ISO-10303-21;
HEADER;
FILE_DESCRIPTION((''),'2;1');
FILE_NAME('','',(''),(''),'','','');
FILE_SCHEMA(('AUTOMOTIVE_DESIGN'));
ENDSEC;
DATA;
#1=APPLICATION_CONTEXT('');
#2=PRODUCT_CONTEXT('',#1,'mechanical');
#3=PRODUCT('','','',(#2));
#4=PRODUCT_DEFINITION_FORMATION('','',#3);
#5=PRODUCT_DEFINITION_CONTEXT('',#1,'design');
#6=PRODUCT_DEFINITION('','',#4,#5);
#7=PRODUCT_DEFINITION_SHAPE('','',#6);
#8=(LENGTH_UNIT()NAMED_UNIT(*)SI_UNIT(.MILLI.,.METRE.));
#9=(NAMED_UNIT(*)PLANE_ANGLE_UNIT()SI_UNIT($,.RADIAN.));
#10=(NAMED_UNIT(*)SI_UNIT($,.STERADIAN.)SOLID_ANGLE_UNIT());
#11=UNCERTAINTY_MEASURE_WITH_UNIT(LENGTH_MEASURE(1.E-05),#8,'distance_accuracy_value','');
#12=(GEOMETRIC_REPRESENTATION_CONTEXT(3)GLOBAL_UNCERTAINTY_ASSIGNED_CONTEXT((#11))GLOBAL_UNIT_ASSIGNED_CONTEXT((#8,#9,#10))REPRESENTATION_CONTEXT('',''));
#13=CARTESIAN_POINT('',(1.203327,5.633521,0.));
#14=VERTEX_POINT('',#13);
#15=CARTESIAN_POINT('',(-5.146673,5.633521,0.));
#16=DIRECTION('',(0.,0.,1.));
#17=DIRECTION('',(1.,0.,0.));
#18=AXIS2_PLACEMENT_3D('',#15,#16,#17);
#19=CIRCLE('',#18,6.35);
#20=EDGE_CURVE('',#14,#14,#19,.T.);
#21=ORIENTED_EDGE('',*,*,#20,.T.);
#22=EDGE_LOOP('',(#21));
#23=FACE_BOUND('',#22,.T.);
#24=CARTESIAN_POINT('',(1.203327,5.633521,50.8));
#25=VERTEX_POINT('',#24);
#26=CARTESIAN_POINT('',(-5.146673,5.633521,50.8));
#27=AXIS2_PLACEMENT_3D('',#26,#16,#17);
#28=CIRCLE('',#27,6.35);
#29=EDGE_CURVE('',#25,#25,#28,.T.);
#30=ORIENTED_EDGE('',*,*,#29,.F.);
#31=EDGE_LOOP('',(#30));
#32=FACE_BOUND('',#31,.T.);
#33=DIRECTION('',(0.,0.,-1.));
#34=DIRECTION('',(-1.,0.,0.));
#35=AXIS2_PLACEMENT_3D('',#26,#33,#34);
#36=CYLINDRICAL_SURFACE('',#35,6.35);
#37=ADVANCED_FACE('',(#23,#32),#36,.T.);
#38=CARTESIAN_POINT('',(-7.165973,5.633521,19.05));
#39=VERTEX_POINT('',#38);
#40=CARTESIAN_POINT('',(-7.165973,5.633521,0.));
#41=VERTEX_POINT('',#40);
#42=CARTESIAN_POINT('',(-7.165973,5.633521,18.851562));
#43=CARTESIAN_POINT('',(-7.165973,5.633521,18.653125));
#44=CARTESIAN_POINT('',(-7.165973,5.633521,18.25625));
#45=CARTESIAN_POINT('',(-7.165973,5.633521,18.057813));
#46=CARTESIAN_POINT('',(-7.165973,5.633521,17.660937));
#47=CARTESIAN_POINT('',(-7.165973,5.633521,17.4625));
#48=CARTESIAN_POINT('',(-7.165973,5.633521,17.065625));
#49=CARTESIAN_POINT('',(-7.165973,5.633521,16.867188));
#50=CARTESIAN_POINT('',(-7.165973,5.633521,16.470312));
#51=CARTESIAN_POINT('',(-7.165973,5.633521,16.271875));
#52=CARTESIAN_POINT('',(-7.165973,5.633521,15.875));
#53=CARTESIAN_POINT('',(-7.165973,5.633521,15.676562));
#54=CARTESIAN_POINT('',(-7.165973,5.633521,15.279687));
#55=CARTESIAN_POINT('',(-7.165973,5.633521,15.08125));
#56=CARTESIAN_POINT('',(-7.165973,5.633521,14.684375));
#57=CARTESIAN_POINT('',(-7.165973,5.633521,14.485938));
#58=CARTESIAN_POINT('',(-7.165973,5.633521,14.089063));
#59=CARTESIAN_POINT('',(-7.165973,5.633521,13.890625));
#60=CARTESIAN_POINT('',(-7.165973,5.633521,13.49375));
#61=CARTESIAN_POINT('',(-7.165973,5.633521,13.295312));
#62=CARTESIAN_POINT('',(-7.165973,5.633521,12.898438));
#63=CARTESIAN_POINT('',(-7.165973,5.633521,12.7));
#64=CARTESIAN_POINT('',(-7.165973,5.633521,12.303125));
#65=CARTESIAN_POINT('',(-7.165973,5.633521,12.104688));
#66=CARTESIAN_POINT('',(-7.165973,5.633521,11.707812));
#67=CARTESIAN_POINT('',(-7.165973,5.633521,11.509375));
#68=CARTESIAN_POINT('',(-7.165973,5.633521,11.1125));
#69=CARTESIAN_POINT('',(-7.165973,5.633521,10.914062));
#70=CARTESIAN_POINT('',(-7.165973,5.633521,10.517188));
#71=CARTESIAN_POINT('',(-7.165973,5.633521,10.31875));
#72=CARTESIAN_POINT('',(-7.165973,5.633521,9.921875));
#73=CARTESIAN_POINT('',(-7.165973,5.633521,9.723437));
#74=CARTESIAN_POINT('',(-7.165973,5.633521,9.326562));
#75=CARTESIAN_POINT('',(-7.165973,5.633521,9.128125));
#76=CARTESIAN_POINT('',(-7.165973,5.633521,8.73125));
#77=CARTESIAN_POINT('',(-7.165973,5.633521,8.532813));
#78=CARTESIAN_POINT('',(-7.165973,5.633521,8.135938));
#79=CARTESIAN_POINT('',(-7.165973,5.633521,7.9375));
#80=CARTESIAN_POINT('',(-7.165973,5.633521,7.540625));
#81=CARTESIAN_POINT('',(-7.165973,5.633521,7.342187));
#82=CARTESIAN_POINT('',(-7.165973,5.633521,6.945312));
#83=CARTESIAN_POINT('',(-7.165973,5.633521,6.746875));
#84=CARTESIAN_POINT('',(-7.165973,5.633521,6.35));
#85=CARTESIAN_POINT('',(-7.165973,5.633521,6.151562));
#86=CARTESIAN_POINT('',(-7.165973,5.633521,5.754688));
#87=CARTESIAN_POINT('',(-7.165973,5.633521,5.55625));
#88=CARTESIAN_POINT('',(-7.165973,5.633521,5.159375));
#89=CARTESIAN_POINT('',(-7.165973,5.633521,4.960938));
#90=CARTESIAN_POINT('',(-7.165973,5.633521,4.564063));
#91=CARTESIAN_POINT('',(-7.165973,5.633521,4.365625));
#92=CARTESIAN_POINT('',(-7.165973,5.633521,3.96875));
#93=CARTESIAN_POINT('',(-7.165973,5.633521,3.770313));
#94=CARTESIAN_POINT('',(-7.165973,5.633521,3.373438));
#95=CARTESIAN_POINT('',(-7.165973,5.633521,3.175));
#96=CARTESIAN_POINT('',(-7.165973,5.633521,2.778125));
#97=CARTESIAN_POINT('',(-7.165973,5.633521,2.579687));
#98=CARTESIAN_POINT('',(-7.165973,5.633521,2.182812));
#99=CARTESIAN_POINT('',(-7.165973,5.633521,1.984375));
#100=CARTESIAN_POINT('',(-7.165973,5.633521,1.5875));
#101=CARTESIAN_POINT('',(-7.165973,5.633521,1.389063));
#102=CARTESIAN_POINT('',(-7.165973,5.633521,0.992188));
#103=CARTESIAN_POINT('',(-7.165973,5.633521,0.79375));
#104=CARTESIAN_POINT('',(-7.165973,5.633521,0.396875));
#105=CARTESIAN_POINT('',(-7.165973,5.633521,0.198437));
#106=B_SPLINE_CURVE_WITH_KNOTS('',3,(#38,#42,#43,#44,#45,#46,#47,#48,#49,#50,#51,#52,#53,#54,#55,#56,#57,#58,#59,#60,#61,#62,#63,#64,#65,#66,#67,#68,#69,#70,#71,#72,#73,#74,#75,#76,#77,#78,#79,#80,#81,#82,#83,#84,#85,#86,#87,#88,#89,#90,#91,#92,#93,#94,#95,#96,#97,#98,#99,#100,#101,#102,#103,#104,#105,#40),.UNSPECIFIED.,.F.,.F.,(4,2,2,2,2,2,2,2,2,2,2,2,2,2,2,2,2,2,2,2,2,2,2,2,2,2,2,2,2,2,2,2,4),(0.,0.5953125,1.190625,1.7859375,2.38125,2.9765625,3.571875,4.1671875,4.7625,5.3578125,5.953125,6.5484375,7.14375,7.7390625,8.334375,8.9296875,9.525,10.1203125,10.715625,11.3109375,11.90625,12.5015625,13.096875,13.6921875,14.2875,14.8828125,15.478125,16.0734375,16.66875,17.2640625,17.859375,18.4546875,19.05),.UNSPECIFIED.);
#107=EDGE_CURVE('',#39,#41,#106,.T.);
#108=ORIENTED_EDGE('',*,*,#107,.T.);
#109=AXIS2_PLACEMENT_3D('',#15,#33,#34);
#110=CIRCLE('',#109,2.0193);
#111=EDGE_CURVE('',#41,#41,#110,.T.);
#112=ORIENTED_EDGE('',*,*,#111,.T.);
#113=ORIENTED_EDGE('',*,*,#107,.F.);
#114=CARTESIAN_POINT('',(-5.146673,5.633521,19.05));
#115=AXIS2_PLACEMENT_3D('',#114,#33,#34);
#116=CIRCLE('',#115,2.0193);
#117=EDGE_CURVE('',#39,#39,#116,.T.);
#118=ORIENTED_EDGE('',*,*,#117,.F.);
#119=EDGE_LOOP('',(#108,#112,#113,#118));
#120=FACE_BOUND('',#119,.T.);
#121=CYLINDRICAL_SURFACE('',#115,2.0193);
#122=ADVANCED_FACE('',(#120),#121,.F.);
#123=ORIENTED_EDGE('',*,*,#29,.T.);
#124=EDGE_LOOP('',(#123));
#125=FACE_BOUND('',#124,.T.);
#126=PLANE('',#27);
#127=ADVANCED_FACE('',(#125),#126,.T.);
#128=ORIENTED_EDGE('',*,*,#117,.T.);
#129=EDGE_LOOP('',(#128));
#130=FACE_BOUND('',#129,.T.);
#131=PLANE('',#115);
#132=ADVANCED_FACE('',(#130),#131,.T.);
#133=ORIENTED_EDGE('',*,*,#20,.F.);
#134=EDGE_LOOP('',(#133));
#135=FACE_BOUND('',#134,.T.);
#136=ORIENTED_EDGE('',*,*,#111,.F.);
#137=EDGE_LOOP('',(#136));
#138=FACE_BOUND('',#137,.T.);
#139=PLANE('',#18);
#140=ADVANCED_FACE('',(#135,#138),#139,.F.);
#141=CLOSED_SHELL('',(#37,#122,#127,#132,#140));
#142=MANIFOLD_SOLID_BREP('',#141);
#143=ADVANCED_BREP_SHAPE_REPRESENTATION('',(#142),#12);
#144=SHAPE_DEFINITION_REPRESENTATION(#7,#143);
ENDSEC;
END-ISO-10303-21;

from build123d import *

# Parameters (mm, degrees)
SKETCH1_R           = 6.35
BOSS_EXTRUDE1_DEPTH = 50.8
SKETCH2_R           = 2.0193
CUT_EXTRUDE3_DEPTH  = 19.05


with BuildPart() as part:
    # Sketch1 → Boss-Extrude1 (new body)
    with BuildSketch(Plane.XY):
        with Locations((-5.146673194, 5.633520658)):
            Circle(SKETCH1_R)
    extrude(amount=BOSS_EXTRUDE1_DEPTH)

    # Sketch2 → Cut-Extrude3 (cut)
    with BuildSketch(Plane(origin=(0, 0, 0), x_dir=(-1, 0, 0), z_dir=(0, 0, -1))):
        with Locations((5.146673194, 5.633520658)):
            Circle(SKETCH2_R)
    extrude(amount=-CUT_EXTRUDE3_DEPTH, mode=Mode.SUBTRACT)


solid = part.part
